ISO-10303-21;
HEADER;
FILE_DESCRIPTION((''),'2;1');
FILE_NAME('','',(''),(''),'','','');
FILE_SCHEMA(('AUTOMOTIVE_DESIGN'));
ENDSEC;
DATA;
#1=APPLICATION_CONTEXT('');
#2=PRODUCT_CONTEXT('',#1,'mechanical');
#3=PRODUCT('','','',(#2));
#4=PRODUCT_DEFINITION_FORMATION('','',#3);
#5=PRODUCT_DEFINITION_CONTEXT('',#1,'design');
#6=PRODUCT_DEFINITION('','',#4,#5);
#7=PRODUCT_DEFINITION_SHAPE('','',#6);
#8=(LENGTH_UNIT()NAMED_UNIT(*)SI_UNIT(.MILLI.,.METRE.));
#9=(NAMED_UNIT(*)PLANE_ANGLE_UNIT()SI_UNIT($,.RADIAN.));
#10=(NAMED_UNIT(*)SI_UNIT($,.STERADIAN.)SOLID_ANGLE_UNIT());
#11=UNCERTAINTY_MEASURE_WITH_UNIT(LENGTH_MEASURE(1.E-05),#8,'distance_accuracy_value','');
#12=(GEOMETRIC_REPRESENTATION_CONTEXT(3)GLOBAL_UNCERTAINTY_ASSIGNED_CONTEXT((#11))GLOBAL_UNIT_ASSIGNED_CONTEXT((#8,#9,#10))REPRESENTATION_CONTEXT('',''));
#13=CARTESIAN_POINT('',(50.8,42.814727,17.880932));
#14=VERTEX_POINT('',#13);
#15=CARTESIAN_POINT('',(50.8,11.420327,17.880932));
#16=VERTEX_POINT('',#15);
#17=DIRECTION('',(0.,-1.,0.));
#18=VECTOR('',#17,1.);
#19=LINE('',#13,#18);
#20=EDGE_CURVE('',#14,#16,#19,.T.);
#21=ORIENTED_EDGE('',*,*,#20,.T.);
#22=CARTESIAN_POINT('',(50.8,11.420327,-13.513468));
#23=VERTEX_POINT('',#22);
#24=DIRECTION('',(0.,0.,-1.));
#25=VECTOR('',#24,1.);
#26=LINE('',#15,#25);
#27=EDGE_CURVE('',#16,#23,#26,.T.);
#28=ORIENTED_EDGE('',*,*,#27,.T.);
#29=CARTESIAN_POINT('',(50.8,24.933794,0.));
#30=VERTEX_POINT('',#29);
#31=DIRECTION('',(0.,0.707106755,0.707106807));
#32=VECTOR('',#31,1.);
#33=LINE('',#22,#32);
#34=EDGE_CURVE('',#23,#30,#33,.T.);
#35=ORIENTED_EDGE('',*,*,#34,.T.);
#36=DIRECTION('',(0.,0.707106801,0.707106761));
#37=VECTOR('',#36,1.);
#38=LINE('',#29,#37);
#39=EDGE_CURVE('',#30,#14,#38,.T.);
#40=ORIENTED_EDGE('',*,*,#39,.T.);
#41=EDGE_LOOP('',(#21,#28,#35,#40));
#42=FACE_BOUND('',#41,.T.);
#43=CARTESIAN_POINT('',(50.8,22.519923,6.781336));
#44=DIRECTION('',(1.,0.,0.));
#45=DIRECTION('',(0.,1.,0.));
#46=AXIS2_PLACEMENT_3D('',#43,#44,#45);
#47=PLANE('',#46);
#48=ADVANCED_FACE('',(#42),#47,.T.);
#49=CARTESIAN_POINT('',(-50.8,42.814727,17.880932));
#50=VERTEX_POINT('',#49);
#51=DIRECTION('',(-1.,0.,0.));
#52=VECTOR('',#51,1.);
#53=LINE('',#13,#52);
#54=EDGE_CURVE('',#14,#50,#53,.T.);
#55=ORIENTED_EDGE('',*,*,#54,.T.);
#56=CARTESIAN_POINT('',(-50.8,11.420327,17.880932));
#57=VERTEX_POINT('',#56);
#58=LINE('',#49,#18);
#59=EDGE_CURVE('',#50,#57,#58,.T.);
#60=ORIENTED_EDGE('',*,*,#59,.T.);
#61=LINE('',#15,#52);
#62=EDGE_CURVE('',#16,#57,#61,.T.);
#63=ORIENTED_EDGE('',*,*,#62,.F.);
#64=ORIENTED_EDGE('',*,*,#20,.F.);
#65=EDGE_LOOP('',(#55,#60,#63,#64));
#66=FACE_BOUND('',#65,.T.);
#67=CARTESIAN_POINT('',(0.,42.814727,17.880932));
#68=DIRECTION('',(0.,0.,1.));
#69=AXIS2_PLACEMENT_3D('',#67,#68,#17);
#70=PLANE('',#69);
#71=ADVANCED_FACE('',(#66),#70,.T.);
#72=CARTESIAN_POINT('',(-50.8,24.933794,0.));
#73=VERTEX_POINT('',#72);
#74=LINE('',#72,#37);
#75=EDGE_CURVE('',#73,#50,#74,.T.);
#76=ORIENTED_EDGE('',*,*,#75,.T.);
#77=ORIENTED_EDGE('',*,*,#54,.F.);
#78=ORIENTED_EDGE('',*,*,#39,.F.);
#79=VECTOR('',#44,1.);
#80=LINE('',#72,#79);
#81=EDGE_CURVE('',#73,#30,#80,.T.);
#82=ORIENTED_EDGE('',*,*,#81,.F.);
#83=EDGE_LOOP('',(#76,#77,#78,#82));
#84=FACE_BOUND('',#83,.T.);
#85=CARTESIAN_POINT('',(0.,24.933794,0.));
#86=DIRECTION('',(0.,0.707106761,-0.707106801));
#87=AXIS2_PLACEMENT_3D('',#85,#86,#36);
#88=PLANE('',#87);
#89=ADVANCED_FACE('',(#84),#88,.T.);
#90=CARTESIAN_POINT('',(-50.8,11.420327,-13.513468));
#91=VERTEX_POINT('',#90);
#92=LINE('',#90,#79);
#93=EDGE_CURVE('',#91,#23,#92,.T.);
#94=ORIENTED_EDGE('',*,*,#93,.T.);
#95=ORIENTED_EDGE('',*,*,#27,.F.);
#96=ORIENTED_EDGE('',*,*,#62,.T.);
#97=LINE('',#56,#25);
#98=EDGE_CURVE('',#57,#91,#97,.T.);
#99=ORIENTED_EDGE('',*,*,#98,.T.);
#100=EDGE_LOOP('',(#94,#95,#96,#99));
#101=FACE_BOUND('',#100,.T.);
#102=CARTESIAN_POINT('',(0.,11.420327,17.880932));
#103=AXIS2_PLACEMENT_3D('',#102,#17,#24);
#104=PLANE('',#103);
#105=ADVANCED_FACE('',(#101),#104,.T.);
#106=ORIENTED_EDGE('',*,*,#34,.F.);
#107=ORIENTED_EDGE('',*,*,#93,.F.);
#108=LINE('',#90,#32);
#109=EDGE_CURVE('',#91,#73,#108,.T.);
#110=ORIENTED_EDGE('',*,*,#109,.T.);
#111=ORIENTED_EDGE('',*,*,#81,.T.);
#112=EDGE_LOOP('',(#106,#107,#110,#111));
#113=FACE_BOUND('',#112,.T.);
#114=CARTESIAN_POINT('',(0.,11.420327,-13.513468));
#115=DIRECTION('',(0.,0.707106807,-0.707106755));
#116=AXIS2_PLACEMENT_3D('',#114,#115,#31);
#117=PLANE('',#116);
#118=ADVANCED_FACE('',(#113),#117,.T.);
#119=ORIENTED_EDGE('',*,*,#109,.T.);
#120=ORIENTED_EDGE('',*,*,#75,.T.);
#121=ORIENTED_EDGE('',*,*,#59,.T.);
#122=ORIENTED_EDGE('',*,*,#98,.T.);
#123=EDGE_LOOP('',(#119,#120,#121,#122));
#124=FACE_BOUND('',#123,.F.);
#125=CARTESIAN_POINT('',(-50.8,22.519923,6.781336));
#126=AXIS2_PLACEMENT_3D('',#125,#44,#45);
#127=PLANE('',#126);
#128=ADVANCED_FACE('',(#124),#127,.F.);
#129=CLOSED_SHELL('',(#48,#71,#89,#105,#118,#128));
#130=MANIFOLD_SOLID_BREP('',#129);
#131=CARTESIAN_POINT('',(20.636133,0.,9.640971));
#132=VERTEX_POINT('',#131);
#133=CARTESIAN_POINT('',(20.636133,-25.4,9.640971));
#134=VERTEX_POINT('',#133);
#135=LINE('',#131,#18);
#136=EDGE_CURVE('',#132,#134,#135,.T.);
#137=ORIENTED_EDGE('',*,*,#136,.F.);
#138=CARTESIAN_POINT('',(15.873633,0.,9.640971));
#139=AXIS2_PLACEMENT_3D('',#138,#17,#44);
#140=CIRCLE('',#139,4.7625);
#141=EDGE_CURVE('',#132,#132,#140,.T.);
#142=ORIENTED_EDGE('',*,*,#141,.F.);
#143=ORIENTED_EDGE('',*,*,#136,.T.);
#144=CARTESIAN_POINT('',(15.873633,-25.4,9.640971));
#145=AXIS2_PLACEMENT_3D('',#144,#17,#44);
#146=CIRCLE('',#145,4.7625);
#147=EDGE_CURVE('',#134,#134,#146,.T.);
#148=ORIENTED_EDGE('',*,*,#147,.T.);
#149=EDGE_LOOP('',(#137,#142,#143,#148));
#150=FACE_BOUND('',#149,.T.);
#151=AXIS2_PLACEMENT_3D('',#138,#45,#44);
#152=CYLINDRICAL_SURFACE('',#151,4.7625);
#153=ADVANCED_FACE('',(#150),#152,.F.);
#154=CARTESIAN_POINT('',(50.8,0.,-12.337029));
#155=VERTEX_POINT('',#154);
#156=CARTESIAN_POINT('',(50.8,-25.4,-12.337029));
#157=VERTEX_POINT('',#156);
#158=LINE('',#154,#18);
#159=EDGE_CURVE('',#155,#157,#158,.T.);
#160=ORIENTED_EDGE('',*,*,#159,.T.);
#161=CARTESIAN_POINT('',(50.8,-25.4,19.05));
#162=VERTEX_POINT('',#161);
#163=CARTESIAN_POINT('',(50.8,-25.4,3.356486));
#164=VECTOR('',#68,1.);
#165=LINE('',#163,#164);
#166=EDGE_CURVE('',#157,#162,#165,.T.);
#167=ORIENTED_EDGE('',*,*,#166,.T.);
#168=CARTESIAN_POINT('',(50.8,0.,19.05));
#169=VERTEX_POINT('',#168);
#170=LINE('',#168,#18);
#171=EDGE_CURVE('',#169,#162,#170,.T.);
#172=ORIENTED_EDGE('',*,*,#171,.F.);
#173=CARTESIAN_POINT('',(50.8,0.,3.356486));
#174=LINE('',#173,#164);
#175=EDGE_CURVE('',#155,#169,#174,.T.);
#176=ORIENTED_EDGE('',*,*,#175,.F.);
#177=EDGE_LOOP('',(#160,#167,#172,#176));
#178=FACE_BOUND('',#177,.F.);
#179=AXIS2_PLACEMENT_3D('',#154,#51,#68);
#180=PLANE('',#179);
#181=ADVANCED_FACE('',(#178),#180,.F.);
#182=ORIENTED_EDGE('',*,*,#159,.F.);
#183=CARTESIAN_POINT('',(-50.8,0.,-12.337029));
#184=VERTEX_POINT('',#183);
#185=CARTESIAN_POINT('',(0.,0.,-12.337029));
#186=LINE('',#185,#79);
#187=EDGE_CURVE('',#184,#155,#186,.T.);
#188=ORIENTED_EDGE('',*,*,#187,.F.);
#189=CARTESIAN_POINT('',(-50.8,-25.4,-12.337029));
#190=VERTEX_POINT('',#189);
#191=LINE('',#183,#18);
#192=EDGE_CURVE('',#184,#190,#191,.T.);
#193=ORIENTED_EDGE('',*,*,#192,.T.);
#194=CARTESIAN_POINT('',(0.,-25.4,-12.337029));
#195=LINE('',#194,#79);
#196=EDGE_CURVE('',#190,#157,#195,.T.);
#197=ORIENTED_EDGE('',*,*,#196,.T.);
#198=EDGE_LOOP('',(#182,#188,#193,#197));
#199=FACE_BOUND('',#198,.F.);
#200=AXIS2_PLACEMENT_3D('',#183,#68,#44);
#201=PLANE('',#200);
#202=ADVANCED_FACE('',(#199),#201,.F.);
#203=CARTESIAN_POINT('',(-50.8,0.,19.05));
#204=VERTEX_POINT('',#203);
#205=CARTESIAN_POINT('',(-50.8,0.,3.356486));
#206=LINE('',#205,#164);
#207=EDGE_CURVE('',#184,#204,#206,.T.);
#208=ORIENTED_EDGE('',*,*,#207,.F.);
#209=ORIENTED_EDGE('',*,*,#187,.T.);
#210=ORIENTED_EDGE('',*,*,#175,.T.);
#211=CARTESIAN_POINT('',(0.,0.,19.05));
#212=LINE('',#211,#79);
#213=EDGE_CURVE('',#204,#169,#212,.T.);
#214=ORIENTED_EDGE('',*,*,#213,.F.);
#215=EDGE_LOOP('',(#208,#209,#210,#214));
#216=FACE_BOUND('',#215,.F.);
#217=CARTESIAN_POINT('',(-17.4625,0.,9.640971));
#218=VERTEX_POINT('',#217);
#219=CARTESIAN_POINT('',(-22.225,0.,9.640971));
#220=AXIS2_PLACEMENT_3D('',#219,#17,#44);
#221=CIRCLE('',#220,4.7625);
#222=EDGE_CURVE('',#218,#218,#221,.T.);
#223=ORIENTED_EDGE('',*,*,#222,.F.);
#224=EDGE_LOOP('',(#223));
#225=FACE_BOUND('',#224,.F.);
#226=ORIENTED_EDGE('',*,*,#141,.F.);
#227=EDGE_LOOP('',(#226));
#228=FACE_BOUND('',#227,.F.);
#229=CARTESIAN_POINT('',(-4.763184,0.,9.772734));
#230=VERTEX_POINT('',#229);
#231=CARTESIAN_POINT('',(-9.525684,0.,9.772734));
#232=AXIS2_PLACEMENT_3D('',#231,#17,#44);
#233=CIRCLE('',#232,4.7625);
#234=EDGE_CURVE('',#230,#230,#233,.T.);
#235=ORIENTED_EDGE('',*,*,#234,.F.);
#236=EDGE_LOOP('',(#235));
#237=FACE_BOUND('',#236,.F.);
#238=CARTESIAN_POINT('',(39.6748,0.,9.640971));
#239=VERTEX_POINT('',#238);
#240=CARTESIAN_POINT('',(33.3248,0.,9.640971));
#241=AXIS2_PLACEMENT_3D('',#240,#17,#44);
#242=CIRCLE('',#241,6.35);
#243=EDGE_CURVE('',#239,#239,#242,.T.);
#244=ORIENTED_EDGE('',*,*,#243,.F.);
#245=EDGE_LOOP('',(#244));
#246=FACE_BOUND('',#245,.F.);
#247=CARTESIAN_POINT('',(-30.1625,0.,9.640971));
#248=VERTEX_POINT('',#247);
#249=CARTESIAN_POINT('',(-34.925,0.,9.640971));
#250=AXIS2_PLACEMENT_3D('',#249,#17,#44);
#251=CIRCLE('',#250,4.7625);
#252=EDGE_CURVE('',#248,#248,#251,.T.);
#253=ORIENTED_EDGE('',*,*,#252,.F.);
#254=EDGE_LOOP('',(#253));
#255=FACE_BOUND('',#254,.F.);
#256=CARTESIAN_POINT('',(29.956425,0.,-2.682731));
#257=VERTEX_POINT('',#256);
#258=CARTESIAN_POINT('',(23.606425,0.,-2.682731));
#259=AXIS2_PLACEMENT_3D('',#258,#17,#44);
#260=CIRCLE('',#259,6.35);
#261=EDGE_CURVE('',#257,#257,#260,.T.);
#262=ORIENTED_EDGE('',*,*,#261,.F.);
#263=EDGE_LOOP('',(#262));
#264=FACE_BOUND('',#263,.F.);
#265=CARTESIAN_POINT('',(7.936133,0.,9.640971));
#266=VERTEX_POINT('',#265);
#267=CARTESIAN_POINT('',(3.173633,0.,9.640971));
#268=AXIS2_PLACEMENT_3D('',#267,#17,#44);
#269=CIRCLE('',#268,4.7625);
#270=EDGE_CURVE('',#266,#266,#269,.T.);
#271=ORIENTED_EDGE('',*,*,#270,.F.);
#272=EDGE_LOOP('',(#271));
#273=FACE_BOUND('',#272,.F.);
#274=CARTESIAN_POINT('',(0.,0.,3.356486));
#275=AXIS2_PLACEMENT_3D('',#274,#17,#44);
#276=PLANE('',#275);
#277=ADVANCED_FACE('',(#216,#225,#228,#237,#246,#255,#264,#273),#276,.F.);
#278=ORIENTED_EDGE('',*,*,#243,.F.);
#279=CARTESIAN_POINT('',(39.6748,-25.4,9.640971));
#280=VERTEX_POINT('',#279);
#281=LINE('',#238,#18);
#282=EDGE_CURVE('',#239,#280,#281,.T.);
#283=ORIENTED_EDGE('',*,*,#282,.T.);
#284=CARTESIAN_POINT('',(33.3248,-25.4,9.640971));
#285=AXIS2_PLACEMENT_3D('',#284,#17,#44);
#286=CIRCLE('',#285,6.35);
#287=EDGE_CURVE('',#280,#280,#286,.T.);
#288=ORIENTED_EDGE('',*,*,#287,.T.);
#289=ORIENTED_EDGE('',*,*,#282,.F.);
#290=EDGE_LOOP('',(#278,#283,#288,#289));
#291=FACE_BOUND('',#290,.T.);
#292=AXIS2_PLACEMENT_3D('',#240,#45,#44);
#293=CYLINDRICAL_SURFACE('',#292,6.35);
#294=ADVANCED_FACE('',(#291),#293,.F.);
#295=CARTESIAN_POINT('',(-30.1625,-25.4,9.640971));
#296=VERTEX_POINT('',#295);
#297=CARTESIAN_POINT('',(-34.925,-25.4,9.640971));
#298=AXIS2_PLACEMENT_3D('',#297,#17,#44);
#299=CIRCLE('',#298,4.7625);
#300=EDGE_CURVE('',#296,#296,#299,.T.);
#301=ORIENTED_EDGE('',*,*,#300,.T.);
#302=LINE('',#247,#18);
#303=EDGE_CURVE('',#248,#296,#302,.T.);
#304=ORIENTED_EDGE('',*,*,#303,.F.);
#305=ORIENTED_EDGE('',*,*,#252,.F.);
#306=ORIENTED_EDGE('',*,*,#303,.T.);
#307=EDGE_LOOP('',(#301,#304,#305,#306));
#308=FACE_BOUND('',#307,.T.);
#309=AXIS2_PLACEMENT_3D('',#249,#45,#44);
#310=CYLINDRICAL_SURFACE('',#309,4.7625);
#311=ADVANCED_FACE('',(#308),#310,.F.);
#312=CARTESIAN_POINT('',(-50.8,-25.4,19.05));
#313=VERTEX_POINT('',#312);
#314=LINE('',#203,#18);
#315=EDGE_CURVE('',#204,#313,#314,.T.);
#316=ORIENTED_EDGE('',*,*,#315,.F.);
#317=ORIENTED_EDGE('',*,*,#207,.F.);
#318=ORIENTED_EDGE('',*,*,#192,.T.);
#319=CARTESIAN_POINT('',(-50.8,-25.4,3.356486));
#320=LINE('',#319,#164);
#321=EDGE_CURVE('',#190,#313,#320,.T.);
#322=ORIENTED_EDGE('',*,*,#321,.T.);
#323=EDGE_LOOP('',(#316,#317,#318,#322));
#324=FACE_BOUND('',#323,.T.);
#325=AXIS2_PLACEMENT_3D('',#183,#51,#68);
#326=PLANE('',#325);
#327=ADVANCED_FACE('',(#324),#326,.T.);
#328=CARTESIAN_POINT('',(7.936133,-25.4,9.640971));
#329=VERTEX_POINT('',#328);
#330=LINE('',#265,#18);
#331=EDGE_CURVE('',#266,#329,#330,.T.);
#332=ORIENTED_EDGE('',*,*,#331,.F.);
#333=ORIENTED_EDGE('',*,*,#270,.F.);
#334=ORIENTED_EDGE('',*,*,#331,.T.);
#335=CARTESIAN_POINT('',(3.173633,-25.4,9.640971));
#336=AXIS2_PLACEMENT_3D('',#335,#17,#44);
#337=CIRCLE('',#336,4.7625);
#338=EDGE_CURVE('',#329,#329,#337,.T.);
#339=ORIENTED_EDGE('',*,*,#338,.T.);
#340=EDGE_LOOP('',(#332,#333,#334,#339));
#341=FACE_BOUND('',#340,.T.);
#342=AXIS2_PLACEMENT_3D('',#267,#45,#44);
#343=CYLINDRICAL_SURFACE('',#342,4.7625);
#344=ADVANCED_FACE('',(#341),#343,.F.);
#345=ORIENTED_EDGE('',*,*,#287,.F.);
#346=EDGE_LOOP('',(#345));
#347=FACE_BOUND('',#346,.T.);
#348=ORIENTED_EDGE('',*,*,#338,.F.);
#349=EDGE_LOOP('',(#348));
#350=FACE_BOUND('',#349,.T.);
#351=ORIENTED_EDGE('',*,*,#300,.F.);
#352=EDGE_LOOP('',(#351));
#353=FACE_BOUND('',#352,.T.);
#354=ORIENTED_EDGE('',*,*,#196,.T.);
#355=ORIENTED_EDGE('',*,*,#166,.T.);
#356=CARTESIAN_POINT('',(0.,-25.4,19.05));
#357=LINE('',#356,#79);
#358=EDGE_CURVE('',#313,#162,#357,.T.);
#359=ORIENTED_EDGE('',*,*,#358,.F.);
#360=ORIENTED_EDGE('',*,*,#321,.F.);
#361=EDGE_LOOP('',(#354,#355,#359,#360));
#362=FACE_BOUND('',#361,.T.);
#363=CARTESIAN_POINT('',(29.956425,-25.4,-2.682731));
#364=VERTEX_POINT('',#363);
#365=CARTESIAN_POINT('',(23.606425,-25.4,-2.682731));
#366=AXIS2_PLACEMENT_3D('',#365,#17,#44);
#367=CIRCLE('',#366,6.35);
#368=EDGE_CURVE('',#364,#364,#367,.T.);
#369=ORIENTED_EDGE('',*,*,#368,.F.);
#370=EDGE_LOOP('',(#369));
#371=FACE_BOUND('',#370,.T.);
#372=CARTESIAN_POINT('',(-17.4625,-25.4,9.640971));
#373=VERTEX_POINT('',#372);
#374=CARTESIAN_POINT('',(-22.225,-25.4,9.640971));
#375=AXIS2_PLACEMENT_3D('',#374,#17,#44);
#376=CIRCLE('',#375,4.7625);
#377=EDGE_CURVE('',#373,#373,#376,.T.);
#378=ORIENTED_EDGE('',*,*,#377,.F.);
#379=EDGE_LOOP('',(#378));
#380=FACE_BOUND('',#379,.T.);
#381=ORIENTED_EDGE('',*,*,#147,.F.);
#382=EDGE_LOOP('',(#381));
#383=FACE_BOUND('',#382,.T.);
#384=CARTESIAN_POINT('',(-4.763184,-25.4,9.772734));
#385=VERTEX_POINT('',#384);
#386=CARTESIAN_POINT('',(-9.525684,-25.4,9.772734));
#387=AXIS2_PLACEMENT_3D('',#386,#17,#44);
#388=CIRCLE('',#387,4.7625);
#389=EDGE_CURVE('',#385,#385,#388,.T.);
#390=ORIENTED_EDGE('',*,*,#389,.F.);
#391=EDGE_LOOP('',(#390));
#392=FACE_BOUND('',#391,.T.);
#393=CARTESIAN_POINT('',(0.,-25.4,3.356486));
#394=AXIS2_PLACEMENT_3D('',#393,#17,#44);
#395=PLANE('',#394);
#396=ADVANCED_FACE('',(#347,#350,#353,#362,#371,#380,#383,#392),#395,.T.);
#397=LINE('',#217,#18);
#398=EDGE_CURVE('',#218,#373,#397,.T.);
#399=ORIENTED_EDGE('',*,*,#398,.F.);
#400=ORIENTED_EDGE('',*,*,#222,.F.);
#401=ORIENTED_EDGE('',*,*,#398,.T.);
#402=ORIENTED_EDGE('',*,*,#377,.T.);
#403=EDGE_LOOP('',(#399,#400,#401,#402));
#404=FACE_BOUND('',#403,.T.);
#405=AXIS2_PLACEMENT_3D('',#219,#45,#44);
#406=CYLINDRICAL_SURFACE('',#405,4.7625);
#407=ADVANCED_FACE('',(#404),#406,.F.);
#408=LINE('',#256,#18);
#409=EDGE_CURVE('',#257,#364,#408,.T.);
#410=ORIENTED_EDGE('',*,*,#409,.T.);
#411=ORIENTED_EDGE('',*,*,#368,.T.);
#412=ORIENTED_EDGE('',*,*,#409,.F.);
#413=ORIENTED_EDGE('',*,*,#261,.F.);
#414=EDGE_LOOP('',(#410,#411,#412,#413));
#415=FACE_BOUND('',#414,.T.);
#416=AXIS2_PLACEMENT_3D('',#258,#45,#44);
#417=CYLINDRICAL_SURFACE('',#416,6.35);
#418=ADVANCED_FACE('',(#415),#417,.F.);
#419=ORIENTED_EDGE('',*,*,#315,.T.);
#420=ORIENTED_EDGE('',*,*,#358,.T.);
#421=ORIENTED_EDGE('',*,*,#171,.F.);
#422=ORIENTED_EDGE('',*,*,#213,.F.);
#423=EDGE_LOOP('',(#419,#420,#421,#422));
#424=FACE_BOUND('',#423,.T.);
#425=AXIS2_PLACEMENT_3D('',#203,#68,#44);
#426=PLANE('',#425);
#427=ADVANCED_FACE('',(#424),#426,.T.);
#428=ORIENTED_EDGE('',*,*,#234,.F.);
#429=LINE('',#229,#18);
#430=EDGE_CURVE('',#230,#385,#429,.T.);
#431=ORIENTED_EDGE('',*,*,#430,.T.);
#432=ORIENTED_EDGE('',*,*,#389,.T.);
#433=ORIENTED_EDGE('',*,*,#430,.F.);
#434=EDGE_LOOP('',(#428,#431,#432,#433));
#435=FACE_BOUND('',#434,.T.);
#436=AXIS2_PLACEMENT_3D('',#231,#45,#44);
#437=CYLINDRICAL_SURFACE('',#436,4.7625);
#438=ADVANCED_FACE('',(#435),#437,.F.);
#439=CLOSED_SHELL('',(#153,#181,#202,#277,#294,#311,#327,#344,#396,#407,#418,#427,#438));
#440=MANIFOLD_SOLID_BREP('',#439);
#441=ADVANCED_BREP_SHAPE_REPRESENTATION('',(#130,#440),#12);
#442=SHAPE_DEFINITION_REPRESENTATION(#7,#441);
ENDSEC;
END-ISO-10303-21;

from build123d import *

# Parameters (mm, degrees)
F0_W     = 101.6
F0_H     = 31.387029
F0_R     = 6.35
F0_R_2   = 4.7625
F1_DEPTH = 25.4
F3_DEPTH = 50.8


with BuildPart() as f1:
    # F0 (on Front) → F1 (new body)
    with BuildSketch(Plane.XZ):
        with Locations((0, 3.356486)):
            Rectangle(F0_W, F0_H)
        with Locations((23.606425, -2.682731)):
            Circle(F0_R, mode=Mode.SUBTRACT)
        with Locations((-34.925, 9.640971)):
            Circle(F0_R_2, mode=Mode.SUBTRACT)
        with Locations((-22.225, 9.640971)):
            Circle(F0_R_2, mode=Mode.SUBTRACT)
        with Locations((-9.525684, 9.772734)):
            Circle(F0_R_2, mode=Mode.SUBTRACT)
        with Locations((3.173633, 9.640971)):
            Circle(F0_R_2, mode=Mode.SUBTRACT)
        with Locations((15.873633, 9.640971)):
            Circle(F0_R_2, mode=Mode.SUBTRACT)
        with Locations((33.3248, 9.640971)):
            Circle(F0_R, mode=Mode.SUBTRACT)
    extrude(amount=F1_DEPTH)


with BuildPart() as f3:
    # F2 (on Right) → F3 (new body, symmetric)
    with BuildSketch(Plane.YZ):
        Polygon((24.933794, 17.880932), (11.420327, 17.880932), (11.420327, -13.513468), (24.933794, 0), (42.814727, 17.880932), align=None)
    extrude(amount=F3_DEPTH, both=True)


solid = Compound([f1.part, f3.part])
